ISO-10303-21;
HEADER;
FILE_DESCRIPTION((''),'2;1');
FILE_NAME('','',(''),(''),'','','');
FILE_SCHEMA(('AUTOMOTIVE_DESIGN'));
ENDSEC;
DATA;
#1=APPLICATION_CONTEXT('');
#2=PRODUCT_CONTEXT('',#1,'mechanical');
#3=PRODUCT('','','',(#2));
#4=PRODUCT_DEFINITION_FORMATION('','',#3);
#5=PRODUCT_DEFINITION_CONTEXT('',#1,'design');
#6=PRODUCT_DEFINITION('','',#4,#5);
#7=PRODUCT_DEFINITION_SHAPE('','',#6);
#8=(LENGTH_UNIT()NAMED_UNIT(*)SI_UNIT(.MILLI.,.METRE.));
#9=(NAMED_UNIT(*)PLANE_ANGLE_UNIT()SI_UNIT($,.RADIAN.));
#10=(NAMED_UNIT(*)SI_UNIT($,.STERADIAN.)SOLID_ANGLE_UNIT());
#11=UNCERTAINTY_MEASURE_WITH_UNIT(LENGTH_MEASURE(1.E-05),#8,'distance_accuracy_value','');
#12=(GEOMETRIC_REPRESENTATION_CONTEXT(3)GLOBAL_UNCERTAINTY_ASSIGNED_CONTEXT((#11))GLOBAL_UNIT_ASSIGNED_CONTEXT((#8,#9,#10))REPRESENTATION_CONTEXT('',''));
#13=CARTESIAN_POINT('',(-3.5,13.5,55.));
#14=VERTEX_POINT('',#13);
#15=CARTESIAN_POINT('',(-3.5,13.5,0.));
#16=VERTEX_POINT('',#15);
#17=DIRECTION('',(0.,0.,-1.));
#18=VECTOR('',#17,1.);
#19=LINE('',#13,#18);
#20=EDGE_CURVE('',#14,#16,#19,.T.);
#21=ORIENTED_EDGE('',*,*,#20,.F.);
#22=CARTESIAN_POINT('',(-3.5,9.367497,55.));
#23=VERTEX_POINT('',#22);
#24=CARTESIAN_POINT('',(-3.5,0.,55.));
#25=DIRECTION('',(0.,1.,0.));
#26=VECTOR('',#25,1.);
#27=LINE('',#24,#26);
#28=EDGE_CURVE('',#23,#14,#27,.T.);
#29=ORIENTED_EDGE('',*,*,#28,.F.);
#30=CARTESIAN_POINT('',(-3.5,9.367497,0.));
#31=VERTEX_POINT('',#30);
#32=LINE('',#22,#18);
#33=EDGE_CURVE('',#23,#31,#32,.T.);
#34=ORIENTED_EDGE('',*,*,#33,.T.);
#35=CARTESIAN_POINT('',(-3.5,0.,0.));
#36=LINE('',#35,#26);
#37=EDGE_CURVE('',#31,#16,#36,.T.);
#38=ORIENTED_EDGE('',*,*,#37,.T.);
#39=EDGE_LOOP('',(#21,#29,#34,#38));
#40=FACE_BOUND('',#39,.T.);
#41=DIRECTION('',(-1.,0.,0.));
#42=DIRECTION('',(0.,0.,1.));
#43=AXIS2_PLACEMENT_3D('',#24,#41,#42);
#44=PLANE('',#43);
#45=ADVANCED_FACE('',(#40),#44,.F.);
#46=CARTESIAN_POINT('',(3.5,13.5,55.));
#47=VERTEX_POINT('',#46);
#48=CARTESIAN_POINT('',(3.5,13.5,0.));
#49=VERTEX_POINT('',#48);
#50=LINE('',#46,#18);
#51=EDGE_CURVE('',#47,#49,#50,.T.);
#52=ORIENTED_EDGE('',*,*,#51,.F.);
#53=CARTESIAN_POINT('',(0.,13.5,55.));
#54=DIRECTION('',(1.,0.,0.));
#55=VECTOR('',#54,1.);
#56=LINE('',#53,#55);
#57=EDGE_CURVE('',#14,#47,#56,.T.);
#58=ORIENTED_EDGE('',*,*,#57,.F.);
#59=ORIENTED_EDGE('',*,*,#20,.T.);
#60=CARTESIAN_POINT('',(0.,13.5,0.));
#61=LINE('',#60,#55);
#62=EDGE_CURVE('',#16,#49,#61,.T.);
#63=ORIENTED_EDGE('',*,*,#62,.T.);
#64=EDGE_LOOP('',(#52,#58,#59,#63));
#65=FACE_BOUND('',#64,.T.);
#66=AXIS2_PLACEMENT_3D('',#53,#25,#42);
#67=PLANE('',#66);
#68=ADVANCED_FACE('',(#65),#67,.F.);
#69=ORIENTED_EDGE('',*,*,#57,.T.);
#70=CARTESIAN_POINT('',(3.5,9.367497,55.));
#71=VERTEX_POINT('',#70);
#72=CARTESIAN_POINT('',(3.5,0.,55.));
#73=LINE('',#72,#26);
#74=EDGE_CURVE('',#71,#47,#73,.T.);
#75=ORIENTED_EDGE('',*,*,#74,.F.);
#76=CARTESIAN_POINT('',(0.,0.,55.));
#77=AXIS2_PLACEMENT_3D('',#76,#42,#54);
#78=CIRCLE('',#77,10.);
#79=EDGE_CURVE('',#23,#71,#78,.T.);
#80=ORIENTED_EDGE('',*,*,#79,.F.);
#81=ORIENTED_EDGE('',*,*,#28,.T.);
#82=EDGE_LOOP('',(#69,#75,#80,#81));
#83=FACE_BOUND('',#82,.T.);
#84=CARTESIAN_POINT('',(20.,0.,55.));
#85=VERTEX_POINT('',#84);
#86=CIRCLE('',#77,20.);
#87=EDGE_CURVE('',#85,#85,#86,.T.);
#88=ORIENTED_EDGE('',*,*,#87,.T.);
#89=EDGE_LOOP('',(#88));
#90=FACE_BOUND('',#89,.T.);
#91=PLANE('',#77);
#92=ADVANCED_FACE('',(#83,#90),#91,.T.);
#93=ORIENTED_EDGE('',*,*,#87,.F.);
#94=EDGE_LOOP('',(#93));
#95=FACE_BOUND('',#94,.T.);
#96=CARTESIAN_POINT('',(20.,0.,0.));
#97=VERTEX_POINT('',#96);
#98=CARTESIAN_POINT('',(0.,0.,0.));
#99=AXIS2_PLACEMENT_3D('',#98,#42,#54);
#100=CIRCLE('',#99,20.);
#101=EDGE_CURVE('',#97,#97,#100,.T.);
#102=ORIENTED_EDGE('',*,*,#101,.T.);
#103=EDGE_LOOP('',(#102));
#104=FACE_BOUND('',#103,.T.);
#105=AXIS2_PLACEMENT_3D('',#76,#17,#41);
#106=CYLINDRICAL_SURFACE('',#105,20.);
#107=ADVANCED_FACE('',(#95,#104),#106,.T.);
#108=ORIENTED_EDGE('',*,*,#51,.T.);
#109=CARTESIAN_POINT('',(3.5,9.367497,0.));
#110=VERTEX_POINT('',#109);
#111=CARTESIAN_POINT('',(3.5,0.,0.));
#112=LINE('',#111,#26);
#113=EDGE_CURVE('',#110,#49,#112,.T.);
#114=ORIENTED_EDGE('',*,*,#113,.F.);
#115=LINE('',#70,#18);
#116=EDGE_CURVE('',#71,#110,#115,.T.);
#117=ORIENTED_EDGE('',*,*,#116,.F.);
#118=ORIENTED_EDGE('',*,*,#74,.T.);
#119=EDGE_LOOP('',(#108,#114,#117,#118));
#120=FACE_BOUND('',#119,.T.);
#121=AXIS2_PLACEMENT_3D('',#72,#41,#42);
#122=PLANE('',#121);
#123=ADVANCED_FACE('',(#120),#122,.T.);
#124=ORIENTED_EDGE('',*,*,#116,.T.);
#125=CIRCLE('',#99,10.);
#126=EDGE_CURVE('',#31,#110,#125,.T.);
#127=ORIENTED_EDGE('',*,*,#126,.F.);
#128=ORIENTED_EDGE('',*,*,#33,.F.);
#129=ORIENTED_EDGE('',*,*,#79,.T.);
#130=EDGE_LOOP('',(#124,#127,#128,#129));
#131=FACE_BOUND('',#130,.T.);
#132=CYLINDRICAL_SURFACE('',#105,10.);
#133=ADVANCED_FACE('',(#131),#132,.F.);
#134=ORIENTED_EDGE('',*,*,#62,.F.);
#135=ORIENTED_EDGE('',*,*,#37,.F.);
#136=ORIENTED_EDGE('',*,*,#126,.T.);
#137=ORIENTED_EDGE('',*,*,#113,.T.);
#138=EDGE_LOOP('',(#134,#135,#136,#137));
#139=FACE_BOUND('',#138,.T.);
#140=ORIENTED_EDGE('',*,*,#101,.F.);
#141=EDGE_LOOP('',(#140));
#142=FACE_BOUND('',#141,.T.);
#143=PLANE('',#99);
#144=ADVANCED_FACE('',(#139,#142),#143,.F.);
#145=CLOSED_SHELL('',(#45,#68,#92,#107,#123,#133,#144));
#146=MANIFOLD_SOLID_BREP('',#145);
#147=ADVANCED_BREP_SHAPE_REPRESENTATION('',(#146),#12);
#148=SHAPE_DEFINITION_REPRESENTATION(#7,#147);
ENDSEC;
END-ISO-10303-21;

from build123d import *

# Parameters (mm, degrees)
SKETCH_1_R      = 20
EXTRUDE_1_DEPTH = 55


with BuildPart() as part:
    # Эскиз1 → Бобышка-Вытянуть1 (new body)
    with BuildSketch(Plane.XY):
        Circle(SKETCH_1_R)
        with BuildLine():
            ThreePointArc((10, 0), (-5.700877125, -8.215838363), (-3.5, 9.367496998))
            Line((-3.5, 9.367496998), (-3.5, 13.5))
            Line((-3.5, 13.5), (3.5, 13.5))
            Line((3.5, 13.5), (3.5, 9.367496998))
            ThreePointArc((3.5, 9.367496998), (8.215838363, 5.700877125), (10, 0))
        make_face(mode=Mode.SUBTRACT)
    extrude(amount=EXTRUDE_1_DEPTH)


solid = part.part
